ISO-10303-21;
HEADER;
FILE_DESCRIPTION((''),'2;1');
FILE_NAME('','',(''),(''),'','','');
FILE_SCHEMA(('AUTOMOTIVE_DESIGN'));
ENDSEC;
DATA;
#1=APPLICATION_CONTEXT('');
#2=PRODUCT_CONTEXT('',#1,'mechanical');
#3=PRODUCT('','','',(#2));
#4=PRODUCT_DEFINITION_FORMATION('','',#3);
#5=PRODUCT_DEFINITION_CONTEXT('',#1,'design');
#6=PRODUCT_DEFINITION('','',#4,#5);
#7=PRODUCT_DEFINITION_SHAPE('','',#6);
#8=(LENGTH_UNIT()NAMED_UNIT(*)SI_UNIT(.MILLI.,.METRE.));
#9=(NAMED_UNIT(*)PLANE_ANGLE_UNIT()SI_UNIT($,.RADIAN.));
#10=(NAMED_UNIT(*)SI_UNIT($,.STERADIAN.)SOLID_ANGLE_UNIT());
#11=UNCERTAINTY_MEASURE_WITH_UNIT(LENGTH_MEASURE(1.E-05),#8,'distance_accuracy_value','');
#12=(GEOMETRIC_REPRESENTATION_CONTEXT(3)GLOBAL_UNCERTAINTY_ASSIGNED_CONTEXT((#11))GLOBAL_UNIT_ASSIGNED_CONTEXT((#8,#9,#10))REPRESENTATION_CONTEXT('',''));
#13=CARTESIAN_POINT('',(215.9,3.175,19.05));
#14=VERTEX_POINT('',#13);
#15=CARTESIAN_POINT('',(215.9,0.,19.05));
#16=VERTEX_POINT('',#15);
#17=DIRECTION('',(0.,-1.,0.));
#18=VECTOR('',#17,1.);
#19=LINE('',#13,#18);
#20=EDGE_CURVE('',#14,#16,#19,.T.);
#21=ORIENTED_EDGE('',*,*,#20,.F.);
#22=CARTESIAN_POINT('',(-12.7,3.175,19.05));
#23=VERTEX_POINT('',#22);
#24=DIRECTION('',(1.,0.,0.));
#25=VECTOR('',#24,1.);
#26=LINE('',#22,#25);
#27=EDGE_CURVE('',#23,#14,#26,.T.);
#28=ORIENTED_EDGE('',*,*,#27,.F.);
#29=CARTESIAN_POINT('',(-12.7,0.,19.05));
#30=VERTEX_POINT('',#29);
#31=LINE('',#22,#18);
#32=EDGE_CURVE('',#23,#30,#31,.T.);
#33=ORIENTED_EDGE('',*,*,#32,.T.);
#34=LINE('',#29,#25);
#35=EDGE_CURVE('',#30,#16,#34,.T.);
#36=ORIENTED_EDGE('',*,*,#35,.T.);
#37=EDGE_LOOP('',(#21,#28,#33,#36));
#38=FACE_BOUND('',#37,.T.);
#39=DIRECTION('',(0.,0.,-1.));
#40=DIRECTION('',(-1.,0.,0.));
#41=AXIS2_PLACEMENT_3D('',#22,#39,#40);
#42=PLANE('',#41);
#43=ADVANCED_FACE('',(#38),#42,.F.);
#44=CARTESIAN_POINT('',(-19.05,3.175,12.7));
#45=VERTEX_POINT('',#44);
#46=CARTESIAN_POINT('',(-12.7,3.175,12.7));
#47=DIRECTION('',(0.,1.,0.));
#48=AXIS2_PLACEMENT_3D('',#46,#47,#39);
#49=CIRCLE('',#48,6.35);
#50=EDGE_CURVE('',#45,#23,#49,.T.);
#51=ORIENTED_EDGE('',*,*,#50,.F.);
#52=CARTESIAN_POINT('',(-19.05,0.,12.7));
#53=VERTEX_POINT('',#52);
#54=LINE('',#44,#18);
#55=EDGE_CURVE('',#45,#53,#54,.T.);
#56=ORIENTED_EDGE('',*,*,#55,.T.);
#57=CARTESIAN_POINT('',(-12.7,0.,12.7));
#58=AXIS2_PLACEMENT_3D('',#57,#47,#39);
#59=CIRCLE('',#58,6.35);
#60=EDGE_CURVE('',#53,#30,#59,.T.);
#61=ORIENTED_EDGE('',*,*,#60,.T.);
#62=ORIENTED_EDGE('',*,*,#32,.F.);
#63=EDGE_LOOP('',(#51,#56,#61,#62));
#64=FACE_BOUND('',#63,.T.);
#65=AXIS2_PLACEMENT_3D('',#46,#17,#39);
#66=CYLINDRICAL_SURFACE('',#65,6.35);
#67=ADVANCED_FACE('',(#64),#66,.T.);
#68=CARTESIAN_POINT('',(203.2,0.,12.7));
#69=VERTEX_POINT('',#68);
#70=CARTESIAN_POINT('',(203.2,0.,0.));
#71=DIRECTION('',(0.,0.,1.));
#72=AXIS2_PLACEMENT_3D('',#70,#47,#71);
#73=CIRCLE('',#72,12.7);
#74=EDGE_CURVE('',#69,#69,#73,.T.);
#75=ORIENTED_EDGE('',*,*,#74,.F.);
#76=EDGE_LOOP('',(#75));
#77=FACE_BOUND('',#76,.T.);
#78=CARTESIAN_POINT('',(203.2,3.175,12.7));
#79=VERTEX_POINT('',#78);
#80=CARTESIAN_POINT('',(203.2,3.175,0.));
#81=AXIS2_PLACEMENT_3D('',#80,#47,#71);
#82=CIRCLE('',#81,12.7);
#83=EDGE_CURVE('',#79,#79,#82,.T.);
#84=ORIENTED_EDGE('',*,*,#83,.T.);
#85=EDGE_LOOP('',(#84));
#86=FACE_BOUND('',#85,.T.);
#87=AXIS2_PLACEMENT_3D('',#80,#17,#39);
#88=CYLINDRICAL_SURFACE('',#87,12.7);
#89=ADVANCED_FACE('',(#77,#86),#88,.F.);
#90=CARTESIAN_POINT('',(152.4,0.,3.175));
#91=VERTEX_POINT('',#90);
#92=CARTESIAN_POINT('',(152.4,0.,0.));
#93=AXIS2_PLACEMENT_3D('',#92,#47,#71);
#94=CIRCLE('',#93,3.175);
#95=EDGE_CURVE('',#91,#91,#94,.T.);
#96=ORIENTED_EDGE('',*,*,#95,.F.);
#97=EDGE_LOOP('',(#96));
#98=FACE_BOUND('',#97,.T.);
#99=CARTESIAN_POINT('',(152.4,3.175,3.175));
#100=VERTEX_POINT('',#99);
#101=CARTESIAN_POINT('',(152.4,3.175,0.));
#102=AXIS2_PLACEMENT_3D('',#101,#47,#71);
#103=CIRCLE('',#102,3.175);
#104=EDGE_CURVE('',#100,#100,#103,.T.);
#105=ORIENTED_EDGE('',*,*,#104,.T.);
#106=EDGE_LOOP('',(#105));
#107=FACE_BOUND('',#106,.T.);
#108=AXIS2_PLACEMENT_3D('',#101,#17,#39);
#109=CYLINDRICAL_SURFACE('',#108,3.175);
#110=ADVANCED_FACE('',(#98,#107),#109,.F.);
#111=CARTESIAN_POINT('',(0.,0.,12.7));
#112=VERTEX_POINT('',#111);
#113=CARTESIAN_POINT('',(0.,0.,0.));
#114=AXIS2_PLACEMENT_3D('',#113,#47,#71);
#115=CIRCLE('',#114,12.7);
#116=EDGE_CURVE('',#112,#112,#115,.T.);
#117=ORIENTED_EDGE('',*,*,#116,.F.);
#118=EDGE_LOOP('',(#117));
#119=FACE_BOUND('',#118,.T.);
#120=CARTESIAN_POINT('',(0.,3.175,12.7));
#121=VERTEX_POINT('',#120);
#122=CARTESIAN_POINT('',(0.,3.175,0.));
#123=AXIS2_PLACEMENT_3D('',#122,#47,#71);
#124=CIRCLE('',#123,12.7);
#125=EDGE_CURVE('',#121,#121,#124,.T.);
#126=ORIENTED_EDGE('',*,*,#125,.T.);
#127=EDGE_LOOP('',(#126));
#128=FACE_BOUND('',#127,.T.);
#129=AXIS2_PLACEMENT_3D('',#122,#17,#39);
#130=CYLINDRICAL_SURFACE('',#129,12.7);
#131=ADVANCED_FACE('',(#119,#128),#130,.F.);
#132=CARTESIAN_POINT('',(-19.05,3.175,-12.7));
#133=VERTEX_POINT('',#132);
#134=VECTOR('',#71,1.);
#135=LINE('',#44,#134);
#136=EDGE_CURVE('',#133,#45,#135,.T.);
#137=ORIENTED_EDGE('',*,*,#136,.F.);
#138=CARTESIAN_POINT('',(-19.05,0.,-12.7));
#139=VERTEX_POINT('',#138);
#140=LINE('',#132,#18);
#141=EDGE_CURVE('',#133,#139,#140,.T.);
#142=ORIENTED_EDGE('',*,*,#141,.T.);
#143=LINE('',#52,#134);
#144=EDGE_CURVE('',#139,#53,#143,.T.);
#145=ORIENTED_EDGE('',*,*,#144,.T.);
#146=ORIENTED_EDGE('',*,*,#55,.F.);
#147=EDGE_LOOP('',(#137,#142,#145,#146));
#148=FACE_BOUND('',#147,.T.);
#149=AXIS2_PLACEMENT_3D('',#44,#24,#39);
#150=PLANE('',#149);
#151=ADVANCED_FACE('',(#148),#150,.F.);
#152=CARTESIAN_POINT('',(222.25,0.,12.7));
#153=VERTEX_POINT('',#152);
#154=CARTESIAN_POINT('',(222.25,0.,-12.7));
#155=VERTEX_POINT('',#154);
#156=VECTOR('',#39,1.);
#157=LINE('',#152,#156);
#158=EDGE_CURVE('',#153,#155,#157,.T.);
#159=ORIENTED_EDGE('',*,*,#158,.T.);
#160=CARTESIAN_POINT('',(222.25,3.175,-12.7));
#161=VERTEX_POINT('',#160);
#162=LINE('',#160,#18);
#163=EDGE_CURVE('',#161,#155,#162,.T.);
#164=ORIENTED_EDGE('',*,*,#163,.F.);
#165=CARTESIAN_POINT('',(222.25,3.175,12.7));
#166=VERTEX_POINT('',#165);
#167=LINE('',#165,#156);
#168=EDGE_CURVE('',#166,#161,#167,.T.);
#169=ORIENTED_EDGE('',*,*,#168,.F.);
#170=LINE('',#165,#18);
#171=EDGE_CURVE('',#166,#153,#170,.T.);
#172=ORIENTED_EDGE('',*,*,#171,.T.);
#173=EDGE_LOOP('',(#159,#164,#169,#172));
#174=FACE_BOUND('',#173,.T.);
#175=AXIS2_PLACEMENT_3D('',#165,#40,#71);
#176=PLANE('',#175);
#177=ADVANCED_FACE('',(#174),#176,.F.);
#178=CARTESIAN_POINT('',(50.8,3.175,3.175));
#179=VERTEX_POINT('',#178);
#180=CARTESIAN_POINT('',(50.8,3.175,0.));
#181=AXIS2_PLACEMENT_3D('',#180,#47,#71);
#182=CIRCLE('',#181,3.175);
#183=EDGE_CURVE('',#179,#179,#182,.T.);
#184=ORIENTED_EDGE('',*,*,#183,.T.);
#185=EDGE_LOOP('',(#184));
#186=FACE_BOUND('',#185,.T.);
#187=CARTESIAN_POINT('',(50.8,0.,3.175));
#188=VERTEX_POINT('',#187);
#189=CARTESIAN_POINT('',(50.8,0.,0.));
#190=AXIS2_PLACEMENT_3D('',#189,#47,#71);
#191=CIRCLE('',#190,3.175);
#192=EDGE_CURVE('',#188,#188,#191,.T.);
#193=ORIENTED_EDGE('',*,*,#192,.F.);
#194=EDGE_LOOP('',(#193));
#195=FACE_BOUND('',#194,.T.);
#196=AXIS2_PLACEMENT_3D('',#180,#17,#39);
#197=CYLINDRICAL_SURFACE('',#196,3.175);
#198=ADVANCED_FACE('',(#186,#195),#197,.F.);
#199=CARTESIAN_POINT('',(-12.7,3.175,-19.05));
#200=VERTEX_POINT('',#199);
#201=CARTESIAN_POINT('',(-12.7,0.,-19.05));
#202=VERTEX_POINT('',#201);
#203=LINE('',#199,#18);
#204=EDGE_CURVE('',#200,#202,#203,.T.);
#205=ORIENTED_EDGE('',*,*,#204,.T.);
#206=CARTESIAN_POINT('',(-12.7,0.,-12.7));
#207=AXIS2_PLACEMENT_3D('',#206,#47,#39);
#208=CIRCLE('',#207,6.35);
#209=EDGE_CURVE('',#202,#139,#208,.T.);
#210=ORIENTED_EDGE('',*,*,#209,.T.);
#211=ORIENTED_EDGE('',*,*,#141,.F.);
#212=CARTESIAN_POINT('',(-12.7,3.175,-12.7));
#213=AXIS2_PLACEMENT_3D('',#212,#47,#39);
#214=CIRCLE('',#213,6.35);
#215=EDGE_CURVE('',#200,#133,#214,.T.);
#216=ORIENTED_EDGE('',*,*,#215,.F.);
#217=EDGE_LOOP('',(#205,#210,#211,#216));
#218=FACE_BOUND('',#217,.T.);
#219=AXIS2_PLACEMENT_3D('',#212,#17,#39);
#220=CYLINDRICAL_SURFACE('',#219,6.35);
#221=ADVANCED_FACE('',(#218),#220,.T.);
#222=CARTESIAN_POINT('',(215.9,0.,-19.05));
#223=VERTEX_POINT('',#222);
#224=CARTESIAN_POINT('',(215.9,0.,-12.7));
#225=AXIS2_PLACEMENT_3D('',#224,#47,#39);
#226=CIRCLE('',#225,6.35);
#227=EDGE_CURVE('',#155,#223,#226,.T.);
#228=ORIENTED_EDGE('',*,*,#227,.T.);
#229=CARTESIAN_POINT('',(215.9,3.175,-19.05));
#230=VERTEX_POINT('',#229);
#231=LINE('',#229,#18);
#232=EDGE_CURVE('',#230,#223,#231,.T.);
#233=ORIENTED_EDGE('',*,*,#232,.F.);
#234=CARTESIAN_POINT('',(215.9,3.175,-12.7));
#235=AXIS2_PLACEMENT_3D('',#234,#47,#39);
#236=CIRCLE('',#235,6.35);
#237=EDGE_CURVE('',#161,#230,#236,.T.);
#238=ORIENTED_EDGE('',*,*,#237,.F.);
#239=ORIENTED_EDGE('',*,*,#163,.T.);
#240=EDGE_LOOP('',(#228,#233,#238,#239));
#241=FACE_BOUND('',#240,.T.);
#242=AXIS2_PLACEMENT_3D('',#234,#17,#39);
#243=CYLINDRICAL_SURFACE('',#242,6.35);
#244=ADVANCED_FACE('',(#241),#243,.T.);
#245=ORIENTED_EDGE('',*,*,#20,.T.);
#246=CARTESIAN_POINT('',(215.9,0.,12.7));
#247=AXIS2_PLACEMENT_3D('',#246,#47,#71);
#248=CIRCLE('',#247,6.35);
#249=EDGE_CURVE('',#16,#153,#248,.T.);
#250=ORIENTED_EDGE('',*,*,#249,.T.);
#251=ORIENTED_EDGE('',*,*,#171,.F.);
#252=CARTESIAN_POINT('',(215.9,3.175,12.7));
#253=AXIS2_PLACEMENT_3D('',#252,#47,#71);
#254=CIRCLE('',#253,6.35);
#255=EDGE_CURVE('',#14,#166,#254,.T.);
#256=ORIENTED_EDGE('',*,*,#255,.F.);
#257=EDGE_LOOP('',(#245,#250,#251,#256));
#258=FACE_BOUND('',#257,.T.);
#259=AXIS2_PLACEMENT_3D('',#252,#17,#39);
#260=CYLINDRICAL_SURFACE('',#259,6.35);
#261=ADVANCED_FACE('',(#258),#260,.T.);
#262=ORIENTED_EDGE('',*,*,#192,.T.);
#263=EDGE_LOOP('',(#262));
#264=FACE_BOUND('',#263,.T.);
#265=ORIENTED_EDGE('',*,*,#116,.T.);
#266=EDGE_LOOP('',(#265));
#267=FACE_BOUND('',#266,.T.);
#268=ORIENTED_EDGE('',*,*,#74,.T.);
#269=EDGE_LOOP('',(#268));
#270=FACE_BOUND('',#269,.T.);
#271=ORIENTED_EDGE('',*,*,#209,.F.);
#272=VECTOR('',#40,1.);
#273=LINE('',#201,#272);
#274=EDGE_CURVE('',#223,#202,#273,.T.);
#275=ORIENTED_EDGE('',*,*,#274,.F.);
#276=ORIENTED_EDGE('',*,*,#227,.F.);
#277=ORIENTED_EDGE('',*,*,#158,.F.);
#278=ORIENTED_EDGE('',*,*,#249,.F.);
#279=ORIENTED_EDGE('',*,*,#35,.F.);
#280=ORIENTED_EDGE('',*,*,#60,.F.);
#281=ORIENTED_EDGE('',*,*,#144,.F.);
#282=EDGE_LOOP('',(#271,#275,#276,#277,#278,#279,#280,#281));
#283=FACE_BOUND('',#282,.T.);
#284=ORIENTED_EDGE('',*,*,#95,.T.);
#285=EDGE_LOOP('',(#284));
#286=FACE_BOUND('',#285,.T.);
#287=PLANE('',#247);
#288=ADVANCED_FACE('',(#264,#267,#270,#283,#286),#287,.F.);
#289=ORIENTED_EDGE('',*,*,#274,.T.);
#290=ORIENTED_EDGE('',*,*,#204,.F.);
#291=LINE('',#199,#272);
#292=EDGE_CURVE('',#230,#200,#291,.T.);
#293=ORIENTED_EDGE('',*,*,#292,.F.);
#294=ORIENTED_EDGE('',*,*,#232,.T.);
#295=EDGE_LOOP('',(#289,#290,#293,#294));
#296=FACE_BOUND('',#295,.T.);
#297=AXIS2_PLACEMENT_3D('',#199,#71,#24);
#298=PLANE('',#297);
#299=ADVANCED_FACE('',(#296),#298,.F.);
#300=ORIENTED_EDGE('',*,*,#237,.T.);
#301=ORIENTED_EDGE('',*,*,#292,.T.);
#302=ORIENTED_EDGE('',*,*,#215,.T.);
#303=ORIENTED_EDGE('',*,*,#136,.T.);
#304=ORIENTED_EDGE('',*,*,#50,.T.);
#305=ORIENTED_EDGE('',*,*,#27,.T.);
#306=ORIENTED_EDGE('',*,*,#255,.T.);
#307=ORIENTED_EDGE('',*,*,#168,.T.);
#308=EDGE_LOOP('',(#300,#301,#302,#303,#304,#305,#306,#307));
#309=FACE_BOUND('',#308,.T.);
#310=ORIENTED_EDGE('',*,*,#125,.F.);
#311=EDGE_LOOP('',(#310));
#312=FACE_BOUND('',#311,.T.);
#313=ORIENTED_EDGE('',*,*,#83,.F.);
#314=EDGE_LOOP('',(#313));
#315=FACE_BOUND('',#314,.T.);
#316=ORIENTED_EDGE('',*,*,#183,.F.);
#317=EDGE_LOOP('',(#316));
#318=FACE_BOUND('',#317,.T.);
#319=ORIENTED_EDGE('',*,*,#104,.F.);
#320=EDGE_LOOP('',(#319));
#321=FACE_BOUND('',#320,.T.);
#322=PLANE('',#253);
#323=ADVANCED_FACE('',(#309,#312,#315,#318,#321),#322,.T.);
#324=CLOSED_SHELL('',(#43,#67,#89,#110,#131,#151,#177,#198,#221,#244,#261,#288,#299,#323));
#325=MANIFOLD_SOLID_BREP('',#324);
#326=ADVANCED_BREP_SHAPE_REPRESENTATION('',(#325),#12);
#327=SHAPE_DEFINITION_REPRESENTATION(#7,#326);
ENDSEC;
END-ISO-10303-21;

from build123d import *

# Parameters (mm, degrees)
SKETCH1_R           = 12.7
SKETCH1_R_2         = 3.175
BOSS_EXTRUDE1_DEPTH = 3.175


with BuildPart() as part:
    # Sketch1 → Boss-Extrude1 (new body)
    with BuildSketch(Plane(origin=(0, 0, 0), x_dir=(1, 0, 0), z_dir=(0, 1, 0))):
        with BuildLine():
            Line((-12.7, -19.05), (215.9, -19.05))
            ThreePointArc((215.9, -19.05), (220.390128061, -17.190128061), (222.25, -12.7))
            Line((222.25, -12.7), (222.25, 12.7))
            ThreePointArc((222.25, 12.7), (220.390128061, 17.190128061), (215.9, 19.05))
            Line((215.9, 19.05), (-12.7, 19.05))
            ThreePointArc((-12.7, 19.05), (-17.190128061, 17.190128061), (-19.05, 12.7))
            Line((-19.05, 12.7), (-19.05, -12.7))
            ThreePointArc((-19.05, -12.7), (-17.190128061, -17.190128061), (-12.7, -19.05))
        make_face()
        Circle(SKETCH1_R, mode=Mode.SUBTRACT)
        with Locations((203.2, 0)):
            Circle(SKETCH1_R, mode=Mode.SUBTRACT)
        with Locations((50.8, 0)):
            Circle(SKETCH1_R_2, mode=Mode.SUBTRACT)
        with Locations((152.4, 0)):
            Circle(SKETCH1_R_2, mode=Mode.SUBTRACT)
    extrude(amount=BOSS_EXTRUDE1_DEPTH)


solid = part.part
